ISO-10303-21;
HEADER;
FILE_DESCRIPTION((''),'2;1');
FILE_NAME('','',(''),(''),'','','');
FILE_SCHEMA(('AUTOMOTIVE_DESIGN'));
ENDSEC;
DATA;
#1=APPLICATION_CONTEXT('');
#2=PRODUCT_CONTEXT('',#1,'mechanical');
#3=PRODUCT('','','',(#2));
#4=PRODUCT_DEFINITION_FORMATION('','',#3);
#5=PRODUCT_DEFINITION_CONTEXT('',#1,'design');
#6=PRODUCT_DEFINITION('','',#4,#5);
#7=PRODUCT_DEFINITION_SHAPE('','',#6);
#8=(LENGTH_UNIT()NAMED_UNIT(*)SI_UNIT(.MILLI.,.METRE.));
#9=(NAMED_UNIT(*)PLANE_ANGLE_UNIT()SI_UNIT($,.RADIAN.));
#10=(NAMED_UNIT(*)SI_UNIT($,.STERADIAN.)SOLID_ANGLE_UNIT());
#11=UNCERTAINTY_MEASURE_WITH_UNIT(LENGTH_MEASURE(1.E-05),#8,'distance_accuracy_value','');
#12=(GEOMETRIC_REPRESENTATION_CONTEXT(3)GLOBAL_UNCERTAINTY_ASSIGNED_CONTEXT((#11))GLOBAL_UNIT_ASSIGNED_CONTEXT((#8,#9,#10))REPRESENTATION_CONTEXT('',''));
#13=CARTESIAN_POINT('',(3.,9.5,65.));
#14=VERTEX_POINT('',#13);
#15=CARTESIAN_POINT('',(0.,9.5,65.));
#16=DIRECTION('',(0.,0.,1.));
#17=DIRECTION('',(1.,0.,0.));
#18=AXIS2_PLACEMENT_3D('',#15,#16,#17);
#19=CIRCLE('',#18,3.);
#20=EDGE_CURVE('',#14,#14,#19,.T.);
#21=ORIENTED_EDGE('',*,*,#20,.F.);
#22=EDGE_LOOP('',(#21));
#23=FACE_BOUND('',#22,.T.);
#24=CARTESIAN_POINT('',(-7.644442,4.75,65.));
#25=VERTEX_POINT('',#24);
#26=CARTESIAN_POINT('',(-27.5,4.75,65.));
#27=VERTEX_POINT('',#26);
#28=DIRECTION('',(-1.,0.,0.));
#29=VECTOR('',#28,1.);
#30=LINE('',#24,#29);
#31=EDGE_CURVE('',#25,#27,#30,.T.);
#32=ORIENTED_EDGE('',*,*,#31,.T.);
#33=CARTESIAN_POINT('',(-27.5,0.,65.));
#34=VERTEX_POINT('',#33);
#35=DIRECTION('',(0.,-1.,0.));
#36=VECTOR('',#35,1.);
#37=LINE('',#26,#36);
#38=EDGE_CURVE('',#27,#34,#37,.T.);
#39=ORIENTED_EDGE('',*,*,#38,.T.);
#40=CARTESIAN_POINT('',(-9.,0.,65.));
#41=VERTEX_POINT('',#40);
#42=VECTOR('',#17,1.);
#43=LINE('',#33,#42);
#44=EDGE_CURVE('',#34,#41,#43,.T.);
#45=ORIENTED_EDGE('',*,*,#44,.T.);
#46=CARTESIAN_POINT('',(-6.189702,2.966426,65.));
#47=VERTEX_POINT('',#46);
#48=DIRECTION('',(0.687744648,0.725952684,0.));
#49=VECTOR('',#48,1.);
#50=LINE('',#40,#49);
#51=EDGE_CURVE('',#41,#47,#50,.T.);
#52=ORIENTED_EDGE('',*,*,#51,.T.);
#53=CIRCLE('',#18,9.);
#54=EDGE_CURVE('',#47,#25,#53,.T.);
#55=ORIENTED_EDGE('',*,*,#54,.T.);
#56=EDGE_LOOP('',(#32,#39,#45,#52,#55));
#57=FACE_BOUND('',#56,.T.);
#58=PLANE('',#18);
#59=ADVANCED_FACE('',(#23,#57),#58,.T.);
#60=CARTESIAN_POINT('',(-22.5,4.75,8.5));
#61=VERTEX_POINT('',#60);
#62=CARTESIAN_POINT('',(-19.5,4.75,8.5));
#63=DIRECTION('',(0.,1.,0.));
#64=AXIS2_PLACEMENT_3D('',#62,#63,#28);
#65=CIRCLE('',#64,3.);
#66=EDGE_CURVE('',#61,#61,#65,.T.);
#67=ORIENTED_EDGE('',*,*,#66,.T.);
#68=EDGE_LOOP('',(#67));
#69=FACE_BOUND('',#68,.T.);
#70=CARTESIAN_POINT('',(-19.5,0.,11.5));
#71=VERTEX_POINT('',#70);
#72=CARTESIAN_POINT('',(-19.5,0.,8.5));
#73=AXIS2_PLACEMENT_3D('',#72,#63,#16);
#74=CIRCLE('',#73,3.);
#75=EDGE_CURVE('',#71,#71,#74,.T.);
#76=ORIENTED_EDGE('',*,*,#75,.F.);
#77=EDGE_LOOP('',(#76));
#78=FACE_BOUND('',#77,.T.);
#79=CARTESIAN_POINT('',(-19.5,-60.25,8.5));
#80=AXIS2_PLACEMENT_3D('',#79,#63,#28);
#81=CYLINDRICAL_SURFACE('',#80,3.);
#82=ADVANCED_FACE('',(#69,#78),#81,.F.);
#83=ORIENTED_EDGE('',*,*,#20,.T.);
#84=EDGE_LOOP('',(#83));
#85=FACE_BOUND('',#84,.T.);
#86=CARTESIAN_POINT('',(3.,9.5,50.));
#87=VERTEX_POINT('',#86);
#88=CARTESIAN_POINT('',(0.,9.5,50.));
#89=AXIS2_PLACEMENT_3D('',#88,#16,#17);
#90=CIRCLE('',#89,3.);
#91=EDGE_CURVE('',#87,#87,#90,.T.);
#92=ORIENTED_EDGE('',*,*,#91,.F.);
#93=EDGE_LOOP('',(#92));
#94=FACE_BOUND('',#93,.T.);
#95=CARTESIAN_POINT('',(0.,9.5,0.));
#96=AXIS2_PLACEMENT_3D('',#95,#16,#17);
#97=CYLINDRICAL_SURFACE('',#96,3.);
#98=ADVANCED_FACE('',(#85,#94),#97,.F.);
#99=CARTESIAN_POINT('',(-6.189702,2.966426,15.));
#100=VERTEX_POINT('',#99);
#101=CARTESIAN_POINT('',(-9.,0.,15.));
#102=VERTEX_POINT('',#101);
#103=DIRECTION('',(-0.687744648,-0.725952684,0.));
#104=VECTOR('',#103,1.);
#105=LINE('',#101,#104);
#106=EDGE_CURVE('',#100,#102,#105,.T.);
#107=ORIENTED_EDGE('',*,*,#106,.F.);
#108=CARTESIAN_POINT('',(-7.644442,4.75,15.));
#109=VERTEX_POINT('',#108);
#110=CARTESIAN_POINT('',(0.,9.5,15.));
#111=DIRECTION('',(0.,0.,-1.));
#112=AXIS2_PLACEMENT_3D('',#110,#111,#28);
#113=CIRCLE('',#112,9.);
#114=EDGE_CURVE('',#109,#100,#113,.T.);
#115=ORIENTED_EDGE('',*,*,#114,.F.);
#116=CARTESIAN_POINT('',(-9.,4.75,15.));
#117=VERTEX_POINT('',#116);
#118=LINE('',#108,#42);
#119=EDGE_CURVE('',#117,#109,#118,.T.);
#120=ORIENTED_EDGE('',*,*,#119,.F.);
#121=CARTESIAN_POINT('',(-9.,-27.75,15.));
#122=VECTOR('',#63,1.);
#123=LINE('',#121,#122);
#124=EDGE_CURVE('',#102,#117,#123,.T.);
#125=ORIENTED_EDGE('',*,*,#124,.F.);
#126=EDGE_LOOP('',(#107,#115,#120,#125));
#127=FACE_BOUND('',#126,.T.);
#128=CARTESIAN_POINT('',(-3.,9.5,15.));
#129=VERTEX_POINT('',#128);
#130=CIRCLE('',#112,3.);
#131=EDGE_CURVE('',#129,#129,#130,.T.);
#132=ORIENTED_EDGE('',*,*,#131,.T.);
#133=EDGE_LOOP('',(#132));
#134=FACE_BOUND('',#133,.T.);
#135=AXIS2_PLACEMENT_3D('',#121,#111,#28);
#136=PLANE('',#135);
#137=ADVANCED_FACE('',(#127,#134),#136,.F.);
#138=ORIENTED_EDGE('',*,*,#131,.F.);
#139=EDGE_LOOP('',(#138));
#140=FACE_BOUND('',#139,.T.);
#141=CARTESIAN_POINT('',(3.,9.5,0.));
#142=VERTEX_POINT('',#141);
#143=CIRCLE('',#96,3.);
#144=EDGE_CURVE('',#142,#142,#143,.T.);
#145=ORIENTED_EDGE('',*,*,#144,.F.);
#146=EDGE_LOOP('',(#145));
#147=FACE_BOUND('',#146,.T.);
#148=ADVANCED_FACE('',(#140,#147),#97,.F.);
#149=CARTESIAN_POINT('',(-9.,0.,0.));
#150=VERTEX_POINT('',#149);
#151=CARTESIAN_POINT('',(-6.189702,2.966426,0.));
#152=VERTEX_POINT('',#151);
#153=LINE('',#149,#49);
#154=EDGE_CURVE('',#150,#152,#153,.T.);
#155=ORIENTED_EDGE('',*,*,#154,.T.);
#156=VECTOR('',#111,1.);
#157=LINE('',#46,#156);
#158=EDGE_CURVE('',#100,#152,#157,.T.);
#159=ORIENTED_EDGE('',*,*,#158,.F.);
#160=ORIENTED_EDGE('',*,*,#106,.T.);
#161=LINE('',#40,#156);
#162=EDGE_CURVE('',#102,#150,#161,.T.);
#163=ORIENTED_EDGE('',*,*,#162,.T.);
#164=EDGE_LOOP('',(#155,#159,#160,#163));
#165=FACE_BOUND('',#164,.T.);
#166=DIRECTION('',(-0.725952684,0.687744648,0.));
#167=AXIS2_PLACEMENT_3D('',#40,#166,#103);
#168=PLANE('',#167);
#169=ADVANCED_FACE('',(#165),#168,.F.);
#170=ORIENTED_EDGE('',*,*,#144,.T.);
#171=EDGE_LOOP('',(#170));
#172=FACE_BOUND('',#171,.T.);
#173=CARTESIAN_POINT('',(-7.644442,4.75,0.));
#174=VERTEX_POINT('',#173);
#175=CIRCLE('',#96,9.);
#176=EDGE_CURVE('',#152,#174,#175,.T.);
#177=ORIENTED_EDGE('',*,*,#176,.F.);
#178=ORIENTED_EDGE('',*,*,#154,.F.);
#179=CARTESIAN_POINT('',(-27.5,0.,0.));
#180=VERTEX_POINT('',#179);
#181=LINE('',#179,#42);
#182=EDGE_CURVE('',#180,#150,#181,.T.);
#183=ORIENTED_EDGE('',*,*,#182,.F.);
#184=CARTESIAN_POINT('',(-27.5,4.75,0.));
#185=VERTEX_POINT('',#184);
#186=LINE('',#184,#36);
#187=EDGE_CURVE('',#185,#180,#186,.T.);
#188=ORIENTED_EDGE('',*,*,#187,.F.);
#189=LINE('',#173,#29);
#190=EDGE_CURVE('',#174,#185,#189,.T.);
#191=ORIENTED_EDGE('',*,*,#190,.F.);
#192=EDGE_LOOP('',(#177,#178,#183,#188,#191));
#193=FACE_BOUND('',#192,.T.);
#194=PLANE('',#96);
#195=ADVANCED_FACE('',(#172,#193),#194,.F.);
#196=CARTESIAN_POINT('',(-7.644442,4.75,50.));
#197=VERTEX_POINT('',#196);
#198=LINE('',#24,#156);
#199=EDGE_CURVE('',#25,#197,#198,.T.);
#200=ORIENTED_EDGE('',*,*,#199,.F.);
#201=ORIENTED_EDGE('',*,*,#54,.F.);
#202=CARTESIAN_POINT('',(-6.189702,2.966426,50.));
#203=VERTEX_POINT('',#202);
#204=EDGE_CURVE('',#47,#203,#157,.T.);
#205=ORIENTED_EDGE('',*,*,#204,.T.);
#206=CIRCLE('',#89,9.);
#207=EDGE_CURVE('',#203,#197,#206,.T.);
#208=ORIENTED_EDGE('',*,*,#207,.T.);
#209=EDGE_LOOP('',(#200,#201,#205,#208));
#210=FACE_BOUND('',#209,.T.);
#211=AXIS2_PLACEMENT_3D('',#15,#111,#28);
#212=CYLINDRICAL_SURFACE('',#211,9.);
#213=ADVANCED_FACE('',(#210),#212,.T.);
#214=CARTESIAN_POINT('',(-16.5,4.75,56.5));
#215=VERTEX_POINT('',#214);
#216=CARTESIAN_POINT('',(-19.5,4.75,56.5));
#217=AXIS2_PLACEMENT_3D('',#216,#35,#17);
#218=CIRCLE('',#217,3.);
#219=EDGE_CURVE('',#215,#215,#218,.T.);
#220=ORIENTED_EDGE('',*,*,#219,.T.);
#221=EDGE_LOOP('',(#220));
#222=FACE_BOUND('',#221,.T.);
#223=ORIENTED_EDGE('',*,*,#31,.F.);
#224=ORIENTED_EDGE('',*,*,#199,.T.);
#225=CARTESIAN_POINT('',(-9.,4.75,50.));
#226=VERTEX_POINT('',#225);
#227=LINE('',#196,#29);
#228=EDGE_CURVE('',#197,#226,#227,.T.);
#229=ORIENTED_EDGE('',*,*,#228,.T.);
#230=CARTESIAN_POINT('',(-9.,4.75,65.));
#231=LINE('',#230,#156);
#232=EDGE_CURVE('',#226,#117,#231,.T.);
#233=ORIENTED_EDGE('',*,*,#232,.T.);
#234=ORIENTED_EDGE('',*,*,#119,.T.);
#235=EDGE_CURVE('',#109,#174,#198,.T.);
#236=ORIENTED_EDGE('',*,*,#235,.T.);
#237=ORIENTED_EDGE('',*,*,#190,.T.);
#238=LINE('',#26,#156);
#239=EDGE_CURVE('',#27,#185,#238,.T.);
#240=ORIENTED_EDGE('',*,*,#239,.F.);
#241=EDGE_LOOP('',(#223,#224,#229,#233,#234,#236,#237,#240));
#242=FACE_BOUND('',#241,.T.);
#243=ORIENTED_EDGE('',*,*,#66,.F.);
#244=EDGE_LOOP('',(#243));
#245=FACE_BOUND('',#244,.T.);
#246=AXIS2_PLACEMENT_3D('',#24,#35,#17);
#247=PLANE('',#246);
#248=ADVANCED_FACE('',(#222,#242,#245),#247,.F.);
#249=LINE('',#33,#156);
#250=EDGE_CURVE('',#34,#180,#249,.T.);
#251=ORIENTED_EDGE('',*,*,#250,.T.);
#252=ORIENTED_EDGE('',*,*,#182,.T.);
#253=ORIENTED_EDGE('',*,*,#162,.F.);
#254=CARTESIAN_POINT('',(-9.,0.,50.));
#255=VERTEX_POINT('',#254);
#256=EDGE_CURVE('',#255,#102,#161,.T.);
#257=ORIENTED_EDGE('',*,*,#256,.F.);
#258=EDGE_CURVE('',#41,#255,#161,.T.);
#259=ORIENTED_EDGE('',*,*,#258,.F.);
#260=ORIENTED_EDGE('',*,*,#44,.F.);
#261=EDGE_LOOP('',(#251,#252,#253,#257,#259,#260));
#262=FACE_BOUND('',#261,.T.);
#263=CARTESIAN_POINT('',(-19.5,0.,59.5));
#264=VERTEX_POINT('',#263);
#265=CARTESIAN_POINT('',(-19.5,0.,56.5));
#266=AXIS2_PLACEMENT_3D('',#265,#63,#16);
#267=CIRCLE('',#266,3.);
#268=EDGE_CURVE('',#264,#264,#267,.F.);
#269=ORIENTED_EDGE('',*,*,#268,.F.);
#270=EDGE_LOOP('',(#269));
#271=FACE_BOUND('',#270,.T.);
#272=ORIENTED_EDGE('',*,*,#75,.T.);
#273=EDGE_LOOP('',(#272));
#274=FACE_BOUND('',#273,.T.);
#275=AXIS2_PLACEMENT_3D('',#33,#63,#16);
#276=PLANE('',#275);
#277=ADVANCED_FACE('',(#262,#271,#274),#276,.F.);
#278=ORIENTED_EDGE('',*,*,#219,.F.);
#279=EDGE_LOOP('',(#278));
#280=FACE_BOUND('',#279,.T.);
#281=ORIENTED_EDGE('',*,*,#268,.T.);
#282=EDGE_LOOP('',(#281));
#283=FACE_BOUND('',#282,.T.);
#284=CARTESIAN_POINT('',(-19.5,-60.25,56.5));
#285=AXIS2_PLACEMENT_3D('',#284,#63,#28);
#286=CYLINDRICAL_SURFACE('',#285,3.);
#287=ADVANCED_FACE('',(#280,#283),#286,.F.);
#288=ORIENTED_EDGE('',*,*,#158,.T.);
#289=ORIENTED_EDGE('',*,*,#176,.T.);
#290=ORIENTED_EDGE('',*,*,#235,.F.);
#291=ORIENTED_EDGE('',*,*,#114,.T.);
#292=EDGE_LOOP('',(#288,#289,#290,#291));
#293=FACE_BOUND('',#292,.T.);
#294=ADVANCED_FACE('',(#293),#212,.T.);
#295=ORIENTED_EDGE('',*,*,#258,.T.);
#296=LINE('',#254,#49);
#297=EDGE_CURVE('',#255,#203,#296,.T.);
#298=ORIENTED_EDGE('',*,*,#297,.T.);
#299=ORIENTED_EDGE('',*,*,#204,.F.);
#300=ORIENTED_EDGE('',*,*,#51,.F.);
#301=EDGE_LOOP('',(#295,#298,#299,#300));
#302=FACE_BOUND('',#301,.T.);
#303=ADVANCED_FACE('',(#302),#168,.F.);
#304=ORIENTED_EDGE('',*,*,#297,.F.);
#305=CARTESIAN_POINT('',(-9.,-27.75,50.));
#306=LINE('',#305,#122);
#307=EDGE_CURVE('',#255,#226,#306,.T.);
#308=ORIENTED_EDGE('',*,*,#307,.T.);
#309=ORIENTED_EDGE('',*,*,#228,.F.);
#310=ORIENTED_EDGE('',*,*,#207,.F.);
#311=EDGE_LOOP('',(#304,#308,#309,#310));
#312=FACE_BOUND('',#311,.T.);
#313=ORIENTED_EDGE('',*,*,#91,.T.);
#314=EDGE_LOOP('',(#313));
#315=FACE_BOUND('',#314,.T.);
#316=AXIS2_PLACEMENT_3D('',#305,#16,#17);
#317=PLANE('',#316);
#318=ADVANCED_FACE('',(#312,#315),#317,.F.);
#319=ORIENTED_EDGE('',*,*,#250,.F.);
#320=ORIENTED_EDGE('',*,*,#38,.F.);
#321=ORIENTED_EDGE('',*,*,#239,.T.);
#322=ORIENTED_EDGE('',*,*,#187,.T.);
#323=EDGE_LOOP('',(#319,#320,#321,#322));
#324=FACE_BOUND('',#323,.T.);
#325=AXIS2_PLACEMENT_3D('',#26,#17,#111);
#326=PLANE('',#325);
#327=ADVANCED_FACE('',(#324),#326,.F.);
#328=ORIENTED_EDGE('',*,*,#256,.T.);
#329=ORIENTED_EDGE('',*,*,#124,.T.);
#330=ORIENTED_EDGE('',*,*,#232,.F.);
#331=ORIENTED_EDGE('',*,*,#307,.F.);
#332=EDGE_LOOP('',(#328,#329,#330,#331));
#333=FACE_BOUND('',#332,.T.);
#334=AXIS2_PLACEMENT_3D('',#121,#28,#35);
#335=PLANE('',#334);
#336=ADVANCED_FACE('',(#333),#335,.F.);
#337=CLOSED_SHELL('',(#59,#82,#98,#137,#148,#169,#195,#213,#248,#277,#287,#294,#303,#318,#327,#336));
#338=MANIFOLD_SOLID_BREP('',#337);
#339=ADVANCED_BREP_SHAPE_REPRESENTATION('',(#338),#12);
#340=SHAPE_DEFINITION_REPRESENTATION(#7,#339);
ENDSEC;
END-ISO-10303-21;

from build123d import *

# Parameters (mm, degrees)
EXTRUDE_1_DEPTH     = 65
SKETCH_2_R          = 3
CUT_EXTRUDE_1_DEPTH = 65
SKETCH_3_W          = 19.333072345
SKETCH_3_H          = 35
CUT_EXTRUDE_2_DEPTH = 32.5
SKETCH_4_R          = 3
CUT_EXTRUDE_3_DEPTH = 65


with BuildPart() as part:
    # 草图1 → 凸台-拉伸1 (new body)
    with BuildSketch(Plane.XY):
        with BuildLine():
            Line((-27.5, 4.75), (-27.5, 0))
            Line((-27.5, 0), (-9, 0))
            Line((-9, 0), (-6.189701831, 2.966425845))
            ThreePointArc((-6.189701831, 2.966425845), (6.974322263, 15.188482133), (-7.644442426, 4.75))
            Line((-7.644442426, 4.75), (-27.5, 4.75))
        make_face()
    extrude(amount=EXTRUDE_1_DEPTH)

    # 草图2 → 切除-拉伸1 (cut)
    with BuildSketch(Plane(origin=(0, 4.75, 0), x_dir=(1, 0, 0), z_dir=(0, 1, 0))):
        with Locations(Location((-19.5, -8.5, 0), (0, 0, 180))):
            Circle(SKETCH_2_R)
        with Locations(Location((-19.5, -56.5, 0), (0, 0, 270))):
            Circle(SKETCH_2_R)
    extrude(amount=-CUT_EXTRUDE_1_DEPTH, mode=Mode.SUBTRACT)

    # 草图3 → 切除-拉伸2 (cut, symmetric)
    with BuildSketch(Plane(origin=(0, 4.75, 0), x_dir=(1, 0, 0), z_dir=(0, 1, 0))):
        with Locations((0.666536173, -32.5)):
            Rectangle(SKETCH_3_W, SKETCH_3_H)
    extrude(amount=CUT_EXTRUDE_2_DEPTH, both=True, mode=Mode.SUBTRACT)

    # 草图4 → 切除-拉伸3 (cut)
    with BuildSketch(Plane.XY.offset(65)):
        with Locations((0, 9.5)):
            Circle(SKETCH_4_R)
    extrude(amount=-CUT_EXTRUDE_3_DEPTH, mode=Mode.SUBTRACT)


solid = part.part
